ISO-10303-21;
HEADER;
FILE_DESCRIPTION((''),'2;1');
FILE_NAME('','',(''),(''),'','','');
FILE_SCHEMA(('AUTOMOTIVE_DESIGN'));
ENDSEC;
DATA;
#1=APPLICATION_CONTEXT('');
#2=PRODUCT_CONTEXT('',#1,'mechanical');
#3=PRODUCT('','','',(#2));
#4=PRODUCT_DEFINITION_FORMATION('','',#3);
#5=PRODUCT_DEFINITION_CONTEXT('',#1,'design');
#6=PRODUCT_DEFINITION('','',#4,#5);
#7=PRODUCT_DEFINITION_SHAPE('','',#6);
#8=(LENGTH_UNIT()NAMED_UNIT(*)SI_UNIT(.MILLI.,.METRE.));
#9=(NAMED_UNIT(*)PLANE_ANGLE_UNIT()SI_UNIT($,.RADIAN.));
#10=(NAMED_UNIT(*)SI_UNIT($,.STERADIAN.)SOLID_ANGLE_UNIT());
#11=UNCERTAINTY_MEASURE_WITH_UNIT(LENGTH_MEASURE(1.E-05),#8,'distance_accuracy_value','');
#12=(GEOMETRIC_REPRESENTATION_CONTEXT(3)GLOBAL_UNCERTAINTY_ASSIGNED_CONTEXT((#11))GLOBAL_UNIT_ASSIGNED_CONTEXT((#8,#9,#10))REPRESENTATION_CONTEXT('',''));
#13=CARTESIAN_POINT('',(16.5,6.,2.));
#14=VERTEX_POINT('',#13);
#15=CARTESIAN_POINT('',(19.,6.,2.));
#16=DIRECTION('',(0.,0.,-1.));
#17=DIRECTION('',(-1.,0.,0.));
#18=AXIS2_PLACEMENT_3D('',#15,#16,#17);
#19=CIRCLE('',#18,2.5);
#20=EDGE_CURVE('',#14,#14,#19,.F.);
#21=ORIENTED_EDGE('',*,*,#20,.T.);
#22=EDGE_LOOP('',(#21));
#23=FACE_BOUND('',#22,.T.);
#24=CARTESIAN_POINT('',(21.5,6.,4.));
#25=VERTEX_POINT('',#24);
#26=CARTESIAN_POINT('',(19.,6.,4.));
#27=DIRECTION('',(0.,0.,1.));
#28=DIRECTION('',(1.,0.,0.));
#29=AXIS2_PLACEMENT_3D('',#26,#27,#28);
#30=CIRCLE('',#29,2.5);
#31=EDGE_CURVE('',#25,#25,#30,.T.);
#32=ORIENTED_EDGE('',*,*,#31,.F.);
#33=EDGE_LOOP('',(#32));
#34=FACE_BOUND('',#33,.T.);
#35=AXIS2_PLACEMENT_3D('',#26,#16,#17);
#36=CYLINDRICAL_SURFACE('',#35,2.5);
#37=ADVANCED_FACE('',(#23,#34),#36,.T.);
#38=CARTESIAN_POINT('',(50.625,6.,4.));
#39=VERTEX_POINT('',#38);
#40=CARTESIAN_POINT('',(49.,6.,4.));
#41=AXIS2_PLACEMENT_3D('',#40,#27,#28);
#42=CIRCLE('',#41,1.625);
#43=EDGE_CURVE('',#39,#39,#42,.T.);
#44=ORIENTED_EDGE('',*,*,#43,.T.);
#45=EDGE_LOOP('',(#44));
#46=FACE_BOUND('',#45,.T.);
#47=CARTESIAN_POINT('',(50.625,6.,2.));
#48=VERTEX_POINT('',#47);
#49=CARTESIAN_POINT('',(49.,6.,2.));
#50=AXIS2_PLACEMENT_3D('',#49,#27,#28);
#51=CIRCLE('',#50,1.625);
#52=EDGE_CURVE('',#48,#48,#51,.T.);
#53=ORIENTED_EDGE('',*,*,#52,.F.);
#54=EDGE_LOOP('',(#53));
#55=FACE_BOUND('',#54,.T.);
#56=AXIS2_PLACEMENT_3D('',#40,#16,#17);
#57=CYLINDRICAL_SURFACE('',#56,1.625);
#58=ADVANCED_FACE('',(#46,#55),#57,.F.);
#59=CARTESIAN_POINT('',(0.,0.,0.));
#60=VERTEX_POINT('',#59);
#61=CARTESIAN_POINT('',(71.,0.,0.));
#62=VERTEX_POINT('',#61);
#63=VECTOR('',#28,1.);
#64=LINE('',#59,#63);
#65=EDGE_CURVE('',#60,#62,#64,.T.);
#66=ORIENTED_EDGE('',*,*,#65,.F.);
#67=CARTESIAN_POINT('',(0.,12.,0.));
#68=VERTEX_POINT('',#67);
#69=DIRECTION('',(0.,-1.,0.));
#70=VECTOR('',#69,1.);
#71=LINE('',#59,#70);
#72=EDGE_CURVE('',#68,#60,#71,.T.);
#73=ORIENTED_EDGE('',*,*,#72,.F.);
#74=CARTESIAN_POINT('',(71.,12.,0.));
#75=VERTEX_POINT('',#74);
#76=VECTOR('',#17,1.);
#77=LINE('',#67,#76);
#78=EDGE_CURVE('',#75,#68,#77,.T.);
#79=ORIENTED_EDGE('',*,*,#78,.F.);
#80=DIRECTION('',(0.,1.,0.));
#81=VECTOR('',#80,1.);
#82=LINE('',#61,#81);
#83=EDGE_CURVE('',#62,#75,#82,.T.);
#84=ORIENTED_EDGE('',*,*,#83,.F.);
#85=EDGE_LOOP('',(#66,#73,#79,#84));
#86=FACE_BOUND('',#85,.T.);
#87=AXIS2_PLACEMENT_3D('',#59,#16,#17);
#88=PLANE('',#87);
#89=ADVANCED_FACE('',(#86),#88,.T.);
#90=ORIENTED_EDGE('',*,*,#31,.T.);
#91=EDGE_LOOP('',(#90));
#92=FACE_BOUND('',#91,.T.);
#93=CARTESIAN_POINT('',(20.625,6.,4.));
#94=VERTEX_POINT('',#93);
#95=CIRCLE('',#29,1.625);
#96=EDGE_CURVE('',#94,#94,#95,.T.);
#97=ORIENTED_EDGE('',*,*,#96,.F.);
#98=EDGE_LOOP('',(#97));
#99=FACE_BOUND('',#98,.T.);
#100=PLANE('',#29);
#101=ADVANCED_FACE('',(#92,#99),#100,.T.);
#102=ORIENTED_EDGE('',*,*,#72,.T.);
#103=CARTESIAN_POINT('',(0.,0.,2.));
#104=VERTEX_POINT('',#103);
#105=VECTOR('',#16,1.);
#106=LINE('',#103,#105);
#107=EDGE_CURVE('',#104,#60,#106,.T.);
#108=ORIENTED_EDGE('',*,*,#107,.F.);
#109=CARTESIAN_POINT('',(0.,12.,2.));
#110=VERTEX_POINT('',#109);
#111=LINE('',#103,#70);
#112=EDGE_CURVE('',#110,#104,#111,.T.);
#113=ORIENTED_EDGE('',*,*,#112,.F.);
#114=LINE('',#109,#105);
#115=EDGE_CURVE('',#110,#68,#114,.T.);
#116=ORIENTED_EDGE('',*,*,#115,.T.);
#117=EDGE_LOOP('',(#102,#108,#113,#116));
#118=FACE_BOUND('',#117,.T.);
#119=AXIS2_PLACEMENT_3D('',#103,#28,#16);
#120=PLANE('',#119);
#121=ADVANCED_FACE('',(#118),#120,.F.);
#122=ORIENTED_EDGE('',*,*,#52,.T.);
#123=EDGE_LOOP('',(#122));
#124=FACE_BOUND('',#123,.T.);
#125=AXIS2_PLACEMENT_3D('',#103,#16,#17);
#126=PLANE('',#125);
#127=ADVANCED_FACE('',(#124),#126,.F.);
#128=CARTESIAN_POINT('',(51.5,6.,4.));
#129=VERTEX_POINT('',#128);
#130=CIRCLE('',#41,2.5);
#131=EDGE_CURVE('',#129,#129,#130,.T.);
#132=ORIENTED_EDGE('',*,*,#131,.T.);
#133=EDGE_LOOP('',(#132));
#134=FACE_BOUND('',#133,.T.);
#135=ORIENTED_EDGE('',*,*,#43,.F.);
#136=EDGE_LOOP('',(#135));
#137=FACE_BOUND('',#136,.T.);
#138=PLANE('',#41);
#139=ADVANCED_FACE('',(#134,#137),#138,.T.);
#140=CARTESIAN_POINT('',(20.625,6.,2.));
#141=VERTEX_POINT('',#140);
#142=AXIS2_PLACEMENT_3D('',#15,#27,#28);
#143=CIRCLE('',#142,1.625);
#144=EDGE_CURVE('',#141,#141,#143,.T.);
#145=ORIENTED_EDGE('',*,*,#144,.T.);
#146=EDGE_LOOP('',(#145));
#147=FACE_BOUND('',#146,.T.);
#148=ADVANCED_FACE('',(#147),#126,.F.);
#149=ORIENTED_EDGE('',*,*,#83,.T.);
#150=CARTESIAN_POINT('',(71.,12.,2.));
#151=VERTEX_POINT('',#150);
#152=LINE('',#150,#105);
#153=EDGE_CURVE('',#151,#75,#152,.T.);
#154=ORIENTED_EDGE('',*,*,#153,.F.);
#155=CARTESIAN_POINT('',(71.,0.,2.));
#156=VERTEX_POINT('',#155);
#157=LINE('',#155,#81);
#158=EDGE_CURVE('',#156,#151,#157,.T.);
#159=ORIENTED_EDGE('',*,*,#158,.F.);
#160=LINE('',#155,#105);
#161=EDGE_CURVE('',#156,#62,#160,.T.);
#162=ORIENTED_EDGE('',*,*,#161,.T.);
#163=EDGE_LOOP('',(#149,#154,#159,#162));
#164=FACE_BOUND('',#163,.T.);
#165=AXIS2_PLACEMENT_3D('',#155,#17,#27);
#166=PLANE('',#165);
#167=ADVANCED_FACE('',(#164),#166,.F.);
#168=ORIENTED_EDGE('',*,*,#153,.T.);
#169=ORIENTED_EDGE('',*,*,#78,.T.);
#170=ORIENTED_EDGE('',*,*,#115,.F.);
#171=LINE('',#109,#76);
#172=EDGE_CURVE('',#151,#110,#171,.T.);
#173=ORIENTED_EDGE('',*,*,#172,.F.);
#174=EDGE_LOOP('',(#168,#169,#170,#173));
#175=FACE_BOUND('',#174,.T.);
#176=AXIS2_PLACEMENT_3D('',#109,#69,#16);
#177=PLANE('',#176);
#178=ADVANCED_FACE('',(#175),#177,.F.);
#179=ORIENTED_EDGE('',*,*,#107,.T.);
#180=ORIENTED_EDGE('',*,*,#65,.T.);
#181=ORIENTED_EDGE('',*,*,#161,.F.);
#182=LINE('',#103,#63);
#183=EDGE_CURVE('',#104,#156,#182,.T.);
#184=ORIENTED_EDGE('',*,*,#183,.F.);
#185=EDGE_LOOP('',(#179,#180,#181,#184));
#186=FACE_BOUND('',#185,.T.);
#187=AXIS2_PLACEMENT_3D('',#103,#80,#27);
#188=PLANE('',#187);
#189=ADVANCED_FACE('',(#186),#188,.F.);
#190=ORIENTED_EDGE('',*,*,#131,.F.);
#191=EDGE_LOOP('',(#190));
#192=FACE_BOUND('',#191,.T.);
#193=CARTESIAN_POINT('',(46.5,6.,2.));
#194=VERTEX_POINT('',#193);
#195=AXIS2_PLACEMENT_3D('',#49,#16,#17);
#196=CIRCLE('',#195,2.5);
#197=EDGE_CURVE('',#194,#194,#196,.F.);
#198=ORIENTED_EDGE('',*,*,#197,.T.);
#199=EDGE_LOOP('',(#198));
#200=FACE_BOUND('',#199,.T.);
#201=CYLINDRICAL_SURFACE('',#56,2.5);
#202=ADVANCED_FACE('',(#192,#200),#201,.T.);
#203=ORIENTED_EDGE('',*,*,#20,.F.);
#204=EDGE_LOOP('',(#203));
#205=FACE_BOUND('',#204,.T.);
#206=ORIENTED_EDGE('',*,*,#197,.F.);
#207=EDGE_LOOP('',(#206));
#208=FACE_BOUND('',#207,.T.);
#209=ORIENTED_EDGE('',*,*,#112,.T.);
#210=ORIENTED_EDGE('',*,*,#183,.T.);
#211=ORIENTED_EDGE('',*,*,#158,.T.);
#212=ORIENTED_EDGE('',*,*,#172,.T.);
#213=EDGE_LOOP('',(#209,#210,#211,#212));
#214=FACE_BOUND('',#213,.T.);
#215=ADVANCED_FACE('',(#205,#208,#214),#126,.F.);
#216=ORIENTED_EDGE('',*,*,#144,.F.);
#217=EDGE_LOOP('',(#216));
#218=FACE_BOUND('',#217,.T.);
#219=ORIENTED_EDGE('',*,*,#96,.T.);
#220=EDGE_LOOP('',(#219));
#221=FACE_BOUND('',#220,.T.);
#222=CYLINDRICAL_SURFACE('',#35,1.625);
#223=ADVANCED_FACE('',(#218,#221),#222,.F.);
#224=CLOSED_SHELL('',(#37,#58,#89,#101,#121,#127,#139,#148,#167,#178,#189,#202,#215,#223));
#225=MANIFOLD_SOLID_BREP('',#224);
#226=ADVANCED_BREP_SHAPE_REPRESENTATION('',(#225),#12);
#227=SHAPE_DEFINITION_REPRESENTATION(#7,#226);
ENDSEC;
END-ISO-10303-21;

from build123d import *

# Parameters (mm, degrees)
SKETCH1_W           = 71
SKETCH1_H           = 12
BOSS_EXTRUDE1_DEPTH = 2
SKETCH2_R           = 2.5
SKETCH2_R_2         = 1.625
BOSS_EXTRUDE2_DEPTH = 2


with BuildPart() as part:
    # Sketch1 → Boss-Extrude1 (new body)
    with BuildSketch(Plane.XY):
        with Locations((35.5, 6)):
            Rectangle(SKETCH1_W, SKETCH1_H)
    extrude(amount=BOSS_EXTRUDE1_DEPTH)

    # Sketch2 → Boss-Extrude2 (add)
    # profile 1 of 2: a face of its own
    with BuildSketch(Plane.XY.offset(2)):
        with Locations(Location((19, 6, 0), (0, 0, 180))):
            Circle(SKETCH2_R)
        with Locations((19, 6)):
            Circle(SKETCH2_R_2, mode=Mode.SUBTRACT)
    # profile 2 of 2: a face of its own
    with BuildSketch(Plane.XY.offset(2)):
        with Locations(Location((49, 6, 0), (0, 0, 180))):
            Circle(SKETCH2_R)
        with Locations((49, 6)):
            Circle(SKETCH2_R_2, mode=Mode.SUBTRACT)
    extrude(amount=BOSS_EXTRUDE2_DEPTH)


solid = part.part
